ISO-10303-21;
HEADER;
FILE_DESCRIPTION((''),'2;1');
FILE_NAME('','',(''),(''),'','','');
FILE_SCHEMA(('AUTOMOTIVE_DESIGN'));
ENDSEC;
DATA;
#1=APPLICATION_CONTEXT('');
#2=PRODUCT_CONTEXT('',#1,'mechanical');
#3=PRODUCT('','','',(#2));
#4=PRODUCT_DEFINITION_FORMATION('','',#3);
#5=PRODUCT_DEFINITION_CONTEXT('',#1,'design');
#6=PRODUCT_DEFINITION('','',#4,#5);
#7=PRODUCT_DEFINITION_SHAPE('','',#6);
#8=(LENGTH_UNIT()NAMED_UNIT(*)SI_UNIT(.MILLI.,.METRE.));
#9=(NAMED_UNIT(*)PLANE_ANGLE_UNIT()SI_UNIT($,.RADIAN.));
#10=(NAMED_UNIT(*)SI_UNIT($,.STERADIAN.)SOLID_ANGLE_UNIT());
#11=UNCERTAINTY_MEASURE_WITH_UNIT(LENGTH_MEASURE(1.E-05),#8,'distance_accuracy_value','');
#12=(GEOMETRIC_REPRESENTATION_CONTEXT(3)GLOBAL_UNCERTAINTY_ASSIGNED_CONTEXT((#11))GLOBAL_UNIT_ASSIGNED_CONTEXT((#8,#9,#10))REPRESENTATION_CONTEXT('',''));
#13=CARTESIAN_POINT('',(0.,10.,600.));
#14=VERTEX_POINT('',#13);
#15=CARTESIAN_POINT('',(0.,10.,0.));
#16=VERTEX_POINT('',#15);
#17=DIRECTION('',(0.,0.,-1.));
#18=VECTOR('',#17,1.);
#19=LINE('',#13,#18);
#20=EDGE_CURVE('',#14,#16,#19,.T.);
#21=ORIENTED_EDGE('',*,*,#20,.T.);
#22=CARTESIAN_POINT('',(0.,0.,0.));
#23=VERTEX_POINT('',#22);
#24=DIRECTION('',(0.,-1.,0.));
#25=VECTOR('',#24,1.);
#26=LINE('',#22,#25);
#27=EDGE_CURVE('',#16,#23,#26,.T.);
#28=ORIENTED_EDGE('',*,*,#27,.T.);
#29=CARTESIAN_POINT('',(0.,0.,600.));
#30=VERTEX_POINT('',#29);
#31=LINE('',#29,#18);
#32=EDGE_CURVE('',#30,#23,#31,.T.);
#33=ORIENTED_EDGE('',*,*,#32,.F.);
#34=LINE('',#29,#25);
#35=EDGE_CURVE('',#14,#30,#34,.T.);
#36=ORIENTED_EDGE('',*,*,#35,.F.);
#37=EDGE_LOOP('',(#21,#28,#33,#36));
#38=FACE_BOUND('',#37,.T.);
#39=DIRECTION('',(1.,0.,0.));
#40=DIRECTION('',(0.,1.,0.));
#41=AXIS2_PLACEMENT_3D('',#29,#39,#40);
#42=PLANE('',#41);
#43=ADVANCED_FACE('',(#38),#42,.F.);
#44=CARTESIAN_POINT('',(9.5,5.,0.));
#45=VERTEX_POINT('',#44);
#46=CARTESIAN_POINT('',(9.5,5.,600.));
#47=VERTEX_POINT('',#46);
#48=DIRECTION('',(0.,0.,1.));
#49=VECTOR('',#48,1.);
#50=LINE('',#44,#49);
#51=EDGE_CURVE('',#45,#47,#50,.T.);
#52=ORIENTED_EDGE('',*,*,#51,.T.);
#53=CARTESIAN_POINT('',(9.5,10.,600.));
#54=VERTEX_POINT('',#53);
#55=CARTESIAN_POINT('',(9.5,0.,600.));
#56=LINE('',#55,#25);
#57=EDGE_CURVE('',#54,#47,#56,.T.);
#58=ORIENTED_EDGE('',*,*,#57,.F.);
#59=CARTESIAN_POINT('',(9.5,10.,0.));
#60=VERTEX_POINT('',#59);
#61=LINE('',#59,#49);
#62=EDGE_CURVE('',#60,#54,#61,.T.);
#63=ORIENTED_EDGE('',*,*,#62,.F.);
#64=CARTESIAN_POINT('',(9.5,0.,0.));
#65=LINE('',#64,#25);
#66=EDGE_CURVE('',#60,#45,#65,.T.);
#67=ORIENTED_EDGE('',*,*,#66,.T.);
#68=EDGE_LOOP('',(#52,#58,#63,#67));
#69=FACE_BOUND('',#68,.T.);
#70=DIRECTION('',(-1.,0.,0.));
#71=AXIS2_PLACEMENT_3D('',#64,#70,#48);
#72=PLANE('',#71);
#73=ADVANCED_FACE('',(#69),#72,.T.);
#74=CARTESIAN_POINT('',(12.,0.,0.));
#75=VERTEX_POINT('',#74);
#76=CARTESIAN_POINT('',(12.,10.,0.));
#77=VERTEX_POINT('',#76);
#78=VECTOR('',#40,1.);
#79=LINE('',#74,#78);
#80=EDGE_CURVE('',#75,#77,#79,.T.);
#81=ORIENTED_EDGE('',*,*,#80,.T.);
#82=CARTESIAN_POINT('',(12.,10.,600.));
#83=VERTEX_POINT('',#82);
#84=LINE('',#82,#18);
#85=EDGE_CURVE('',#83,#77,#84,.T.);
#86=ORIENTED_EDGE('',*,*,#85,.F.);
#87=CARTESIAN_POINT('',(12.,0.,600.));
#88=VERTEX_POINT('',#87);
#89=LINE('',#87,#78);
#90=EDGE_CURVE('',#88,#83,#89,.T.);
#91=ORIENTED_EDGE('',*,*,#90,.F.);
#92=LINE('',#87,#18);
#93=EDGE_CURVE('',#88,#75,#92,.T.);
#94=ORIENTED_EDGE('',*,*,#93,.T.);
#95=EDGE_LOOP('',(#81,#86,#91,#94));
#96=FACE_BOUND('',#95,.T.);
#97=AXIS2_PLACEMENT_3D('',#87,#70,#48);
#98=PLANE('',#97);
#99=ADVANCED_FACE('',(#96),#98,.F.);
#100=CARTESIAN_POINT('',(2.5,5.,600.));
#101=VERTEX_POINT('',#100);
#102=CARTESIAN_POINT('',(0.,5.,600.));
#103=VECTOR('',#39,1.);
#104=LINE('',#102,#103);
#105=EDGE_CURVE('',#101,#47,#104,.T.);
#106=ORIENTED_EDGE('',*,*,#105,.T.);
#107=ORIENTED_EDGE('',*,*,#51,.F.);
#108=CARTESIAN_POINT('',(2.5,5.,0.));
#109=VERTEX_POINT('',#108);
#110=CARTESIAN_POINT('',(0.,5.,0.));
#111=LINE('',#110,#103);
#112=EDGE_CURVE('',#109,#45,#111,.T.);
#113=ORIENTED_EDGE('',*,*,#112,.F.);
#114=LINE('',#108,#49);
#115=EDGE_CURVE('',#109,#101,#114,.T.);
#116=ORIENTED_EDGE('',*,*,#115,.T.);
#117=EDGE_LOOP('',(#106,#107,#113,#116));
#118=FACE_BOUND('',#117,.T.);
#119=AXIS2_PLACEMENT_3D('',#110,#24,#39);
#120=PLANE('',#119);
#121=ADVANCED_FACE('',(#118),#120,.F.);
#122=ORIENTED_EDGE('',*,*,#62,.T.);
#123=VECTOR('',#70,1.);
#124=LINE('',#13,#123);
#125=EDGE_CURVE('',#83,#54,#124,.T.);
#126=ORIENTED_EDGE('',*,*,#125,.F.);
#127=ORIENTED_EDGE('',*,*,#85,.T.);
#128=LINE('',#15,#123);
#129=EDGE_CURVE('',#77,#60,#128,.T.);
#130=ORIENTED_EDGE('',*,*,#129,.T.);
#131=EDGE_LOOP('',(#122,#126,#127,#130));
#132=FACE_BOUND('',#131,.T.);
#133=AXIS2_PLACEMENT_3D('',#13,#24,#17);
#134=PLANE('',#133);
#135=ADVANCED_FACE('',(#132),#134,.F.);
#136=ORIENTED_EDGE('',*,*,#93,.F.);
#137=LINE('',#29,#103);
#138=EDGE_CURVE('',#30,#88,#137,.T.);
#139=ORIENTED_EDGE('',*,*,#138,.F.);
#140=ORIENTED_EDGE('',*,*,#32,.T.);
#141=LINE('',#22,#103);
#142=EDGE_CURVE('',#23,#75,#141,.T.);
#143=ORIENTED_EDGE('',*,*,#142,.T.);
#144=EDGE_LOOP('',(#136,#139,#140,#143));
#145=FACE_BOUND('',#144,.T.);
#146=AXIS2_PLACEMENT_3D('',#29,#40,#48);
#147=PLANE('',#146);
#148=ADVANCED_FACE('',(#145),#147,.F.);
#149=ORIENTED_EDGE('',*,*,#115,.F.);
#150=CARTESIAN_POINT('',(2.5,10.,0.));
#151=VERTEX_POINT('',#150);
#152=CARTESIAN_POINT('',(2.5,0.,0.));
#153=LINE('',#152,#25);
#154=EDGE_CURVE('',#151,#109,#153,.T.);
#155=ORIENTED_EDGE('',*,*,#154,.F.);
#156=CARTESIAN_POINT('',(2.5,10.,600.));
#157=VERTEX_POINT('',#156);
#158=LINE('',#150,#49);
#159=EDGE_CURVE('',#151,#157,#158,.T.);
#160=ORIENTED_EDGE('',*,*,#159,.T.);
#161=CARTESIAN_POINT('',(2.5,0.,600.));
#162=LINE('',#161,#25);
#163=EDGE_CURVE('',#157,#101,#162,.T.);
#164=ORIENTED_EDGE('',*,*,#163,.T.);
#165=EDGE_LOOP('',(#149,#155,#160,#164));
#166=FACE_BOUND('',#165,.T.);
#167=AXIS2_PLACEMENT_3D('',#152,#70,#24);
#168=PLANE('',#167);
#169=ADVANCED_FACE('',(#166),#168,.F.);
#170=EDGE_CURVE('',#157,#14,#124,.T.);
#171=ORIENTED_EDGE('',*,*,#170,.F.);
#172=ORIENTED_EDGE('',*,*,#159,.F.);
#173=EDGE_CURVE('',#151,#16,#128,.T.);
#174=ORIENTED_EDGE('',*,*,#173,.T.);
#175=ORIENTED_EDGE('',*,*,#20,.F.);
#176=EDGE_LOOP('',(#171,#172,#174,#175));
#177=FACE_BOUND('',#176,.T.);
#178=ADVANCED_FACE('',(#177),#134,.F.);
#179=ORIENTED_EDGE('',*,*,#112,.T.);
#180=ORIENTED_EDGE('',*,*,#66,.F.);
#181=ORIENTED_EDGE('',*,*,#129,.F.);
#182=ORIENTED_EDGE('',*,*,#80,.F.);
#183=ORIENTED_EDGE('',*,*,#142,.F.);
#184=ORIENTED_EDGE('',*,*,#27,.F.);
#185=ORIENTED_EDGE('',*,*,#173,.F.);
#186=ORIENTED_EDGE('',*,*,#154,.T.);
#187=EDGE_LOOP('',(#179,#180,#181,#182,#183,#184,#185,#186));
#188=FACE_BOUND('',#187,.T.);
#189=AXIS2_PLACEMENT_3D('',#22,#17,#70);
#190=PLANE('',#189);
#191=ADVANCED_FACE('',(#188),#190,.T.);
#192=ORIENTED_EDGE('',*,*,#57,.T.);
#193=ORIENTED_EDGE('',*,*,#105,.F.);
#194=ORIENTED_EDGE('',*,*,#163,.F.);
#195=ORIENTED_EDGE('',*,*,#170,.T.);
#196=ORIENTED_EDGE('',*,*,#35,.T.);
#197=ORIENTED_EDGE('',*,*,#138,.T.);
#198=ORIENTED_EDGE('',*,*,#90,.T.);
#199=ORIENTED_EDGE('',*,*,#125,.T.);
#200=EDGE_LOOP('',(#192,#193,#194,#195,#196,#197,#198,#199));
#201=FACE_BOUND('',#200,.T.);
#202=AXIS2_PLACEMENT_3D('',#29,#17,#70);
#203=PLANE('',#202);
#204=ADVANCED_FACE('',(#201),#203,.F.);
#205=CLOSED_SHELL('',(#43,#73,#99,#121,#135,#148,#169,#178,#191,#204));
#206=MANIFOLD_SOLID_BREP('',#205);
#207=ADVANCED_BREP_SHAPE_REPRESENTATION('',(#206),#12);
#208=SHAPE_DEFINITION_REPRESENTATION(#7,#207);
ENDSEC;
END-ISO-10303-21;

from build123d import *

# Parameters (mm, degrees)
SKETCH2_W           = 12
SKETCH2_H           = 10
BOSS_EXTRUDE1_DEPTH = 600
SKETCH4_W           = 7
SKETCH4_H           = 5
CUT_EXTRUDE1_DEPTH  = 601


with BuildPart() as part:
    # Sketch2 → Boss-Extrude1 (new body)
    with BuildSketch(Plane.XY):
        with Locations((6, 5)):
            Rectangle(SKETCH2_W, SKETCH2_H)
    extrude(amount=BOSS_EXTRUDE1_DEPTH)

    # Sketch4 → Cut-Extrude1 (cut, through all)
    with BuildSketch(Plane.XY.offset(600)):
        with Locations((6, 7.5)):
            Rectangle(SKETCH4_W, SKETCH4_H)
    extrude(amount=-CUT_EXTRUDE1_DEPTH, mode=Mode.SUBTRACT)


solid = part.part
